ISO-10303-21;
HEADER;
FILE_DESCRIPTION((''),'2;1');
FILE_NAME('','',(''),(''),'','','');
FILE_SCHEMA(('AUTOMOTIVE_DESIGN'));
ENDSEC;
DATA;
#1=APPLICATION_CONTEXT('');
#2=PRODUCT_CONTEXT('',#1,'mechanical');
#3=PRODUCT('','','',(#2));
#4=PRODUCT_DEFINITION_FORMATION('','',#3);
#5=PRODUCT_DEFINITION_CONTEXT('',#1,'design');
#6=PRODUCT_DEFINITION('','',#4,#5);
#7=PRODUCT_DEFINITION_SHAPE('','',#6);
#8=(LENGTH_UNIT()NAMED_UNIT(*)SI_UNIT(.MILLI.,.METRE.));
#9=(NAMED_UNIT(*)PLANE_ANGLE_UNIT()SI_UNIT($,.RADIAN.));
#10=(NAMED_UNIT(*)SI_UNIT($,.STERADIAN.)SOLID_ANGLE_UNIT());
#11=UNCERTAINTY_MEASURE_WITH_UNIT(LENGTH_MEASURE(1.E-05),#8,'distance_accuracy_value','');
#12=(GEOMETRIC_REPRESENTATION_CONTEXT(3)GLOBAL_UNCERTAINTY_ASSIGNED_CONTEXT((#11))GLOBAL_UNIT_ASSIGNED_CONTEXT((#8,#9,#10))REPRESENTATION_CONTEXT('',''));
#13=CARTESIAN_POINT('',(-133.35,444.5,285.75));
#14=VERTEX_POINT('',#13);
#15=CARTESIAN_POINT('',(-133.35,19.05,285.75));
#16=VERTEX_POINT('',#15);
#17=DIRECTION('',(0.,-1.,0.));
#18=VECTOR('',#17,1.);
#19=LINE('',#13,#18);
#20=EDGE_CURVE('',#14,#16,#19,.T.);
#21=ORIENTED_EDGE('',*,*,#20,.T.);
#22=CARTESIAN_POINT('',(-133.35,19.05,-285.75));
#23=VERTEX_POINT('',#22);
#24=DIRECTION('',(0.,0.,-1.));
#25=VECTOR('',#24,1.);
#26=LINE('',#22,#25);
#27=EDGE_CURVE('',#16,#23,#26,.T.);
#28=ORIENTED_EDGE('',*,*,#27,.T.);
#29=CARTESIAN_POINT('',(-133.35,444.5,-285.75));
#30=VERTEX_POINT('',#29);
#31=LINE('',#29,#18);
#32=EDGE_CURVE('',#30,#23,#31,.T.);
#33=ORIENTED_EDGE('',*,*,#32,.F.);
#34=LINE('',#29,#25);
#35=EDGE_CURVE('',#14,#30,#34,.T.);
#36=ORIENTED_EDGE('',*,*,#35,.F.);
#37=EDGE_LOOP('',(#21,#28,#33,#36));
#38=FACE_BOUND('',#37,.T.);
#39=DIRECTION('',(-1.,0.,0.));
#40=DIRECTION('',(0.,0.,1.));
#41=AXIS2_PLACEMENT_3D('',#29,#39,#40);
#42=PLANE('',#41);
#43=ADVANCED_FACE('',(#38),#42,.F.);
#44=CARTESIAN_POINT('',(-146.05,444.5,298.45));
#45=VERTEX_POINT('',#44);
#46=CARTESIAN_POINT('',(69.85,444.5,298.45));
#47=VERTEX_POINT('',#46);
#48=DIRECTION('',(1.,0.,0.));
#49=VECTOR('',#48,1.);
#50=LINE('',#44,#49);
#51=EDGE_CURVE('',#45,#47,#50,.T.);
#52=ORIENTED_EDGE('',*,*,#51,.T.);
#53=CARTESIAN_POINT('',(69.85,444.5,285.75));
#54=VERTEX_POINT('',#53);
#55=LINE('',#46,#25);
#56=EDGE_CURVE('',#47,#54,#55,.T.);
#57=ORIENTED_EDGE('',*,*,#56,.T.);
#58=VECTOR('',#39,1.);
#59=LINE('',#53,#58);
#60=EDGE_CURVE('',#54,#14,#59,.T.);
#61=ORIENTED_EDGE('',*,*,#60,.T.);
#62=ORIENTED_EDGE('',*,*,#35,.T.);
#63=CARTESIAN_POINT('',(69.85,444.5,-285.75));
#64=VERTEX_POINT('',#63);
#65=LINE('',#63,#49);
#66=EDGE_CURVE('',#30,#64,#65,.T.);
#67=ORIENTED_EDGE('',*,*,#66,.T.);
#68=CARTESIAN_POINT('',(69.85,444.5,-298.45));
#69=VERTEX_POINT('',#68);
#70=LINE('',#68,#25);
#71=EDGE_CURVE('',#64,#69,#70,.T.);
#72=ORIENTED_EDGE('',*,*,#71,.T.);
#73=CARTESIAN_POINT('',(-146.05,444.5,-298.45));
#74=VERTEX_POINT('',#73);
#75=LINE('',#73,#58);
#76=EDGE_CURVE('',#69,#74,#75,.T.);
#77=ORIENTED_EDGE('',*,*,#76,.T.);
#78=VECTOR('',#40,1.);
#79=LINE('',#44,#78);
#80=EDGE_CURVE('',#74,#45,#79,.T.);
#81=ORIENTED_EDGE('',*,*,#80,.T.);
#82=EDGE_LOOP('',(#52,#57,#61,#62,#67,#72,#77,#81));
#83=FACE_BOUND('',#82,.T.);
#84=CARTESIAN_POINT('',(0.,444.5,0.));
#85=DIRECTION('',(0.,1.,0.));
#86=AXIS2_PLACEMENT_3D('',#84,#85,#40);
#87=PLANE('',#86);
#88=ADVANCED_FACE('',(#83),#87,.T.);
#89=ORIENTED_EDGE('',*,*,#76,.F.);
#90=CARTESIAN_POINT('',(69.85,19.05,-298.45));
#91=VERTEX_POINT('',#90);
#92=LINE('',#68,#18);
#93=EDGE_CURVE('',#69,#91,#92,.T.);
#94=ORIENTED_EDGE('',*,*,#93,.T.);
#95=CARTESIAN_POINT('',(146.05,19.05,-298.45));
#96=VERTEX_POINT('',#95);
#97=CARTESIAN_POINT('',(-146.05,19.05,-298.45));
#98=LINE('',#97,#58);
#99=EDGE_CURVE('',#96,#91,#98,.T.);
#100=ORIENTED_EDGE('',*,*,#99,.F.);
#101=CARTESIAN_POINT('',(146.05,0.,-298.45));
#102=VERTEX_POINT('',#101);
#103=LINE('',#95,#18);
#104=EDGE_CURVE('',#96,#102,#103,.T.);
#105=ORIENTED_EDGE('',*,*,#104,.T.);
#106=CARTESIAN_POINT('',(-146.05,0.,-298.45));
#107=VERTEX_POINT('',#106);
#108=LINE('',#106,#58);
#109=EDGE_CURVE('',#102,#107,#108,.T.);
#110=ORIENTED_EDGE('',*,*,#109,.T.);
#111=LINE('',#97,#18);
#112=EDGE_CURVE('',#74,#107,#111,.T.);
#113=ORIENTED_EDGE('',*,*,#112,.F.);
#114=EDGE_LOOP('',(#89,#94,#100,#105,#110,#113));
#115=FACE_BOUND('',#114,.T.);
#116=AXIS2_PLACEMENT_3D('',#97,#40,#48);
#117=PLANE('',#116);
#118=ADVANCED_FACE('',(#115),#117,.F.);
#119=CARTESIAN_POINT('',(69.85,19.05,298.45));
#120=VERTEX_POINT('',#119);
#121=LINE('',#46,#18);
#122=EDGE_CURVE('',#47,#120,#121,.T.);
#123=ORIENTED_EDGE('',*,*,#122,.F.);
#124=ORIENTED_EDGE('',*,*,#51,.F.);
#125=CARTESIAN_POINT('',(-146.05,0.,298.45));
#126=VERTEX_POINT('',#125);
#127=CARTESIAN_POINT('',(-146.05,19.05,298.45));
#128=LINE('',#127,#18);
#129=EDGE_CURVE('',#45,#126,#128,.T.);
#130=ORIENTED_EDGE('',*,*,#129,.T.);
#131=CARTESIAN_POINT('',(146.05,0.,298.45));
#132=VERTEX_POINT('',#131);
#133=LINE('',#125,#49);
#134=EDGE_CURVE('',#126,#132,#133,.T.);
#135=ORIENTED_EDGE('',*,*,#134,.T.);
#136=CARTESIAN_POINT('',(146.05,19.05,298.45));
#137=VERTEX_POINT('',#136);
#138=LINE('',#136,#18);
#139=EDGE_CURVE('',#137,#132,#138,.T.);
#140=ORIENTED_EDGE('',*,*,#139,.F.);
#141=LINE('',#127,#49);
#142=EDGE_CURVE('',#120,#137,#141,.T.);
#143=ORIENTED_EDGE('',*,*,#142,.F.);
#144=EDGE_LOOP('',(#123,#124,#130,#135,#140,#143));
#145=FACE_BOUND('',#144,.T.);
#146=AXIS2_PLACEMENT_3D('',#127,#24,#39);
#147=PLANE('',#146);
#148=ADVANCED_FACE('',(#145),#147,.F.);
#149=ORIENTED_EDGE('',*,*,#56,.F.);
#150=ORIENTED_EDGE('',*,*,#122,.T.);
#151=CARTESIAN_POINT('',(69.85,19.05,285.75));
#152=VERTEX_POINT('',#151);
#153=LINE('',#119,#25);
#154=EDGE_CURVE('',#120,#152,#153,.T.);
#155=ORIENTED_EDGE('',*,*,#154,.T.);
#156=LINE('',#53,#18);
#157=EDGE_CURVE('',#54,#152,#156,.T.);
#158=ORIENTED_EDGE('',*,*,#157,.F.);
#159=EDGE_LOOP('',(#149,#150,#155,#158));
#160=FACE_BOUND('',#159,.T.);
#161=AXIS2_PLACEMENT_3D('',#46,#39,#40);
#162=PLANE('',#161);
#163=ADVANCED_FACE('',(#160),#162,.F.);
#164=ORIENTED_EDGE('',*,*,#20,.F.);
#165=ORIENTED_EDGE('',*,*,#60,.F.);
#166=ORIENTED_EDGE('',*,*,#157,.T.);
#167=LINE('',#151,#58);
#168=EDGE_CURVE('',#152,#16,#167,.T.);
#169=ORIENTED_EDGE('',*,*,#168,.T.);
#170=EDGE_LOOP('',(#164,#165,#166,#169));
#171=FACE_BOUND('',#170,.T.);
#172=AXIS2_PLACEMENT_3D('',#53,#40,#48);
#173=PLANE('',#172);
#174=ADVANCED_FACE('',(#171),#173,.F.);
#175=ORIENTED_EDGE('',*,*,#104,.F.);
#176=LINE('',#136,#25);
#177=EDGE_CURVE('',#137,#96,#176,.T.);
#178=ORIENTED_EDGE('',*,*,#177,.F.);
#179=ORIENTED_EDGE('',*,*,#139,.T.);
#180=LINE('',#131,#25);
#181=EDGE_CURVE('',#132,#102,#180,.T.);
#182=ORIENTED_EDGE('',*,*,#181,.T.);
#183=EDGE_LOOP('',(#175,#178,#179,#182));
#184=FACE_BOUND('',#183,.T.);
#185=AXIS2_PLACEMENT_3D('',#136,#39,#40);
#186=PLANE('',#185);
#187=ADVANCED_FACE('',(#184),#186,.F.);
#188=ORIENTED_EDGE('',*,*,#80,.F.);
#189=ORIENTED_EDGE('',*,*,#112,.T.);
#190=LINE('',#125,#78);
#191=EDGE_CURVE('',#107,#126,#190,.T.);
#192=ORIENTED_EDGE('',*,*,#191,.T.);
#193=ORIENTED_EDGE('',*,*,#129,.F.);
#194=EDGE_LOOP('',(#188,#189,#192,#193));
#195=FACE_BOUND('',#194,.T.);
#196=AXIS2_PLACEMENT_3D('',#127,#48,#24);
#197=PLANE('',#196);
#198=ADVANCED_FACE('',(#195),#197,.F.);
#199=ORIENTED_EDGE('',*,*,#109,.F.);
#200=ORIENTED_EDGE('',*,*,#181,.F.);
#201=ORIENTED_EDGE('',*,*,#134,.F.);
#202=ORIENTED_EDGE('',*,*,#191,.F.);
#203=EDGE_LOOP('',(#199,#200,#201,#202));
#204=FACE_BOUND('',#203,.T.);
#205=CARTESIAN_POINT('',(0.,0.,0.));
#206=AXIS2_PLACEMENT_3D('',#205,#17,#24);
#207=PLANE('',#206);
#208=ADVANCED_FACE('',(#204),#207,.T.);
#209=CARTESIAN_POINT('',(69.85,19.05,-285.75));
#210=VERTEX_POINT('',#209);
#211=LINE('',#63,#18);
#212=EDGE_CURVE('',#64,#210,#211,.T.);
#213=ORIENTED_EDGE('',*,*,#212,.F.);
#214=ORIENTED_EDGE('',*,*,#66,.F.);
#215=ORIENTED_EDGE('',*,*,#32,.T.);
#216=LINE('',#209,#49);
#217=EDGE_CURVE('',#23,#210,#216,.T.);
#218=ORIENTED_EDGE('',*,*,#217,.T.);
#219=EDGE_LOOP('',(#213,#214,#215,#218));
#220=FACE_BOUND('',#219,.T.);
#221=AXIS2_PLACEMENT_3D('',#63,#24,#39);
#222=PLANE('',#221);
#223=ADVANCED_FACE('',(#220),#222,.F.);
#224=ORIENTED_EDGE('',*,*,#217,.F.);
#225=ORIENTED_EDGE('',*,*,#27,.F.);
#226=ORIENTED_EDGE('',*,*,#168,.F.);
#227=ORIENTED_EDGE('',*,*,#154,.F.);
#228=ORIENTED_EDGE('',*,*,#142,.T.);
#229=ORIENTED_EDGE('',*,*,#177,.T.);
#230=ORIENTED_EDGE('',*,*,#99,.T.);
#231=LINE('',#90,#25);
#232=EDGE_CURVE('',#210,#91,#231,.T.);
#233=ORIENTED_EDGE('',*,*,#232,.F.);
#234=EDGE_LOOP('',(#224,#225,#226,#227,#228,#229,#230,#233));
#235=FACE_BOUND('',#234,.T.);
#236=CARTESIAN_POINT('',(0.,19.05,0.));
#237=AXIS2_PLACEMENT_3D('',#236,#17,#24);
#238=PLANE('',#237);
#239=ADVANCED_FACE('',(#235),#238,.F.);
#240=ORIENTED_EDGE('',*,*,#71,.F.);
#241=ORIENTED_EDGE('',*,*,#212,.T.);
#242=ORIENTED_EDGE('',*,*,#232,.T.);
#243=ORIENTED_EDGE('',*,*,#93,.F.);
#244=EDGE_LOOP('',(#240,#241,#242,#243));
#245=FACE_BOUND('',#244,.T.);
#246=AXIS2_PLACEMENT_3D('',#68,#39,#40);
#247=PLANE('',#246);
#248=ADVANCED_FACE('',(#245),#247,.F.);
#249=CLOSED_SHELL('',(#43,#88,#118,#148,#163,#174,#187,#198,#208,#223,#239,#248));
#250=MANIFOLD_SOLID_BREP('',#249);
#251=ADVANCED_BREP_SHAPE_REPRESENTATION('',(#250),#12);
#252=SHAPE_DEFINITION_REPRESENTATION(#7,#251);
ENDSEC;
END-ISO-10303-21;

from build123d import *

# Parameters (mm, degrees)
SKETCH1_W           = 292.1
SKETCH1_H           = 596.9
BOSS_EXTRUDE1_DEPTH = 19.05
BOSS_EXTRUDE2_DEPTH = 425.45


with BuildPart() as part:
    # Sketch1 → Boss-Extrude1 (new body)
    with BuildSketch(Plane(origin=(0, 0, 0), x_dir=(1, 0, 0), z_dir=(0, 1, 0))):
        Rectangle(SKETCH1_W, SKETCH1_H)
    extrude(amount=BOSS_EXTRUDE1_DEPTH)

    # Sketch2 → Boss-Extrude2 (add)
    with BuildSketch(Plane(origin=(0, 19.05, 0), x_dir=(1, 0, 0), z_dir=(0, 1, 0))):
        Polygon((-146.05, -298.45), (-146.05, 298.45), (69.85, 298.45), (69.85, 285.75), (-133.35, 285.75), (-133.35, -285.75), (69.85, -285.75), (69.85, -298.45), align=None)
    extrude(amount=BOSS_EXTRUDE2_DEPTH)


solid = part.part
